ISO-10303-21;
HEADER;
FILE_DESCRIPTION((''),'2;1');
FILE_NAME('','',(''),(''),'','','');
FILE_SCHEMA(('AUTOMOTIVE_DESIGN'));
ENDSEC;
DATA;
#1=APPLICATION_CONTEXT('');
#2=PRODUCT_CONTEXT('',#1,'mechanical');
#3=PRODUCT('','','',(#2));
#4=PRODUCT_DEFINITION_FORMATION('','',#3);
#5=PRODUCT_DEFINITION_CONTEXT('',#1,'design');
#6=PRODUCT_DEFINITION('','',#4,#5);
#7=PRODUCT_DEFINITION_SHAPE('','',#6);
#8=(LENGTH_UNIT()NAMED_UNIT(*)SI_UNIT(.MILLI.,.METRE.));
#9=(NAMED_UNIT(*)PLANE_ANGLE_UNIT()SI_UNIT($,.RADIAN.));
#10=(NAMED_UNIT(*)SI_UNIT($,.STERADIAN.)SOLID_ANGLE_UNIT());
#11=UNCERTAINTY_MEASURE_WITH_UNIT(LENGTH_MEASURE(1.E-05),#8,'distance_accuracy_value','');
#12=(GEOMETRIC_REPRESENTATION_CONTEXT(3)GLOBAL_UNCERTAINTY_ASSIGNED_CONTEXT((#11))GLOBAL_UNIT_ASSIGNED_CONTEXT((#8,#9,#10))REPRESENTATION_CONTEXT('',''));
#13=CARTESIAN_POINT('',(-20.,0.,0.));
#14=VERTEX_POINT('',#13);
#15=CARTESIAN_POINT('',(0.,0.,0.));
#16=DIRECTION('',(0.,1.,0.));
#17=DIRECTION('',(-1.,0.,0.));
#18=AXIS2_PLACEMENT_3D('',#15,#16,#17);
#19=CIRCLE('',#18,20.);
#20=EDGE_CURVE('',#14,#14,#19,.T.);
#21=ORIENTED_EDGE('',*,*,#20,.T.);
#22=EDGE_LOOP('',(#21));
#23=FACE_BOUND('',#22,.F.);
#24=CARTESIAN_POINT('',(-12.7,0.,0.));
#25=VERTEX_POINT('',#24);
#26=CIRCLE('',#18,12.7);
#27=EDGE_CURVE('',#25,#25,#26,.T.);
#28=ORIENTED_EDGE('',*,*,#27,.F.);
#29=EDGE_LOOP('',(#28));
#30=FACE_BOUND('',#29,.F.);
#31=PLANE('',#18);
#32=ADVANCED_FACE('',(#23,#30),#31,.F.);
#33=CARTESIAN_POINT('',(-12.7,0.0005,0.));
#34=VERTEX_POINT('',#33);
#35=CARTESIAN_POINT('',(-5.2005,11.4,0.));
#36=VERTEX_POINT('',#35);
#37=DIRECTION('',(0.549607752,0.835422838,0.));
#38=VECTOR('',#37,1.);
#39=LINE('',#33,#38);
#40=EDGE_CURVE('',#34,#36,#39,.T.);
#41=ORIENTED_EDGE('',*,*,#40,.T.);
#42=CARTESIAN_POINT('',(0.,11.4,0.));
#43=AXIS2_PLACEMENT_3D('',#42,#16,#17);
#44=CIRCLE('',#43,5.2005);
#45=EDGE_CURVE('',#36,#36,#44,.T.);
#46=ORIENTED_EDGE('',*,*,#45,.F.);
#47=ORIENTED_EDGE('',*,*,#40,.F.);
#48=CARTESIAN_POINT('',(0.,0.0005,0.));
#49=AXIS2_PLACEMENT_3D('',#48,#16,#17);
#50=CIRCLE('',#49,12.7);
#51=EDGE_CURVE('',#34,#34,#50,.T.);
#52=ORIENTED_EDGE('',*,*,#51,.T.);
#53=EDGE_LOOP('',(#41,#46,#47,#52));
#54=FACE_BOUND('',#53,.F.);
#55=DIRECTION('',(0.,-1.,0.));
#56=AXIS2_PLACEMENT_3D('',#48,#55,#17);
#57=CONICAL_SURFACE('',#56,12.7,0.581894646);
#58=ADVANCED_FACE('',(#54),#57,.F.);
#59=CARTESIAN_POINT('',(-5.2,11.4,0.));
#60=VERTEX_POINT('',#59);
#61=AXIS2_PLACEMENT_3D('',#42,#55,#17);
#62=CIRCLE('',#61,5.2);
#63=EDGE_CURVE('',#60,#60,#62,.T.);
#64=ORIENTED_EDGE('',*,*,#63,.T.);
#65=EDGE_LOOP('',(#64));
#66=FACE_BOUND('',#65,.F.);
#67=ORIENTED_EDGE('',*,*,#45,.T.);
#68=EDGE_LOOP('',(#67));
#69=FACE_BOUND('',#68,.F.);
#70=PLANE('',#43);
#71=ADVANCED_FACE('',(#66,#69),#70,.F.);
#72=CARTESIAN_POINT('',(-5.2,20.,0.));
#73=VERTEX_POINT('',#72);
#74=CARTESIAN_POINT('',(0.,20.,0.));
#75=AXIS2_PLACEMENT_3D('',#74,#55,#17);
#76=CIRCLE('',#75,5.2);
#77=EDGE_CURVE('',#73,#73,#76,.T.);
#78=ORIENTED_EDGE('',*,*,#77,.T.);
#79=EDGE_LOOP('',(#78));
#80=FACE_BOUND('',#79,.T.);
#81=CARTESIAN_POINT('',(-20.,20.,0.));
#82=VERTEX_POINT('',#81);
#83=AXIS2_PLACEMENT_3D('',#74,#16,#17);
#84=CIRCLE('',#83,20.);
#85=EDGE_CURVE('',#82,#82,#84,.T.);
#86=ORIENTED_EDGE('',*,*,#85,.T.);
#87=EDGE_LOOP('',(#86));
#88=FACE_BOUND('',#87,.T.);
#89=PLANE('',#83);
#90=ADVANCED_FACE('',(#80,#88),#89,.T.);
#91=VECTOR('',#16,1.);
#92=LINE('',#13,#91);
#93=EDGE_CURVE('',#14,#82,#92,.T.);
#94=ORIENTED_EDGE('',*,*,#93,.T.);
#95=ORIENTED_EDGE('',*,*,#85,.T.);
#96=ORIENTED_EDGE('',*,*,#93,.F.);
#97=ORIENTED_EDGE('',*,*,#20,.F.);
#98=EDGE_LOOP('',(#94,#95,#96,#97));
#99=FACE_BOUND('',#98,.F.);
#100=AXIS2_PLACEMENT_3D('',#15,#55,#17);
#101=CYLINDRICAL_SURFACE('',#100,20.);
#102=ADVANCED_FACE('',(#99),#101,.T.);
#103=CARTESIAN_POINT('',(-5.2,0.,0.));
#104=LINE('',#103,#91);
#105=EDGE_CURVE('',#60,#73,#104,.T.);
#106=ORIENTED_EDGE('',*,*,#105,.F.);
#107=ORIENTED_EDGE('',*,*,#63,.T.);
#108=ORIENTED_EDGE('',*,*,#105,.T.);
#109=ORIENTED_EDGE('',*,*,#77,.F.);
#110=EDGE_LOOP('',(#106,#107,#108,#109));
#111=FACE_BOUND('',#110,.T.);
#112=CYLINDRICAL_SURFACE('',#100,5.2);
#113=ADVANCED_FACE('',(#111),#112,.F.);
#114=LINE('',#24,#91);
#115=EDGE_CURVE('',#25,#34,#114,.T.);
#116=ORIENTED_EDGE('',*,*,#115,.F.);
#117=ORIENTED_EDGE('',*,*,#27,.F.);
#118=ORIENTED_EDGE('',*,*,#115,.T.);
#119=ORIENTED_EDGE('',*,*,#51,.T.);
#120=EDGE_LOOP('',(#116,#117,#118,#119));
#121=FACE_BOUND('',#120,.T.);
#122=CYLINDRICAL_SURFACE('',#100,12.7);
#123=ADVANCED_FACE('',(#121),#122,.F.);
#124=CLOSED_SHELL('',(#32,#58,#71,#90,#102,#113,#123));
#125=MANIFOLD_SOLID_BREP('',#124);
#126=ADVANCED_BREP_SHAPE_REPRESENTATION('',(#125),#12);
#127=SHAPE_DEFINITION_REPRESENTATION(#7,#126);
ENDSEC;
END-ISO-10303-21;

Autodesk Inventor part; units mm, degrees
ref_plane "YZ Plane" through (0, 0, 0) normal (1, 0, 0) x (0, 1, 0)
ref_plane "XZ Plane" through (0, 0, 0) normal (0, 1, 0) x (-1, 0, 0)
ref_plane "XY Plane" through (0, 0, 0) normal (0, 0, 1) x (1, 0, 0)
sketch "Sketch1" plane through (0, 0, 0) normal (0, 1, 0) x (-1, 0, 0)
  circle A0 centre (0, 0) radius 20
  circle A1 centre (0, 0) radius 12.7
  circle A2 centre (0, 0) radius 5.2
  dimension "d1" = 40
  dimension "d14" = 25.4
  dimension "d15" = 10.4
extrude "Extrusion1" add sketch "Sketch1" along normal blind 20 contours A0 | A1 | A2
extrude "Extrusion2" cut sketch "Sketch1" along normal blind 11.4 contours A1 | A2
extrude "Extrusion3" cut sketch "Sketch1" along normal blind 30 contours A2
chamfer "Chamfer2" distance 11.4 distance2 7.5 1 edges at (12.7, 11.4, 0) measured on face at (-12.5355, 7.6, -2.0372)
properties part number "5. ring"
